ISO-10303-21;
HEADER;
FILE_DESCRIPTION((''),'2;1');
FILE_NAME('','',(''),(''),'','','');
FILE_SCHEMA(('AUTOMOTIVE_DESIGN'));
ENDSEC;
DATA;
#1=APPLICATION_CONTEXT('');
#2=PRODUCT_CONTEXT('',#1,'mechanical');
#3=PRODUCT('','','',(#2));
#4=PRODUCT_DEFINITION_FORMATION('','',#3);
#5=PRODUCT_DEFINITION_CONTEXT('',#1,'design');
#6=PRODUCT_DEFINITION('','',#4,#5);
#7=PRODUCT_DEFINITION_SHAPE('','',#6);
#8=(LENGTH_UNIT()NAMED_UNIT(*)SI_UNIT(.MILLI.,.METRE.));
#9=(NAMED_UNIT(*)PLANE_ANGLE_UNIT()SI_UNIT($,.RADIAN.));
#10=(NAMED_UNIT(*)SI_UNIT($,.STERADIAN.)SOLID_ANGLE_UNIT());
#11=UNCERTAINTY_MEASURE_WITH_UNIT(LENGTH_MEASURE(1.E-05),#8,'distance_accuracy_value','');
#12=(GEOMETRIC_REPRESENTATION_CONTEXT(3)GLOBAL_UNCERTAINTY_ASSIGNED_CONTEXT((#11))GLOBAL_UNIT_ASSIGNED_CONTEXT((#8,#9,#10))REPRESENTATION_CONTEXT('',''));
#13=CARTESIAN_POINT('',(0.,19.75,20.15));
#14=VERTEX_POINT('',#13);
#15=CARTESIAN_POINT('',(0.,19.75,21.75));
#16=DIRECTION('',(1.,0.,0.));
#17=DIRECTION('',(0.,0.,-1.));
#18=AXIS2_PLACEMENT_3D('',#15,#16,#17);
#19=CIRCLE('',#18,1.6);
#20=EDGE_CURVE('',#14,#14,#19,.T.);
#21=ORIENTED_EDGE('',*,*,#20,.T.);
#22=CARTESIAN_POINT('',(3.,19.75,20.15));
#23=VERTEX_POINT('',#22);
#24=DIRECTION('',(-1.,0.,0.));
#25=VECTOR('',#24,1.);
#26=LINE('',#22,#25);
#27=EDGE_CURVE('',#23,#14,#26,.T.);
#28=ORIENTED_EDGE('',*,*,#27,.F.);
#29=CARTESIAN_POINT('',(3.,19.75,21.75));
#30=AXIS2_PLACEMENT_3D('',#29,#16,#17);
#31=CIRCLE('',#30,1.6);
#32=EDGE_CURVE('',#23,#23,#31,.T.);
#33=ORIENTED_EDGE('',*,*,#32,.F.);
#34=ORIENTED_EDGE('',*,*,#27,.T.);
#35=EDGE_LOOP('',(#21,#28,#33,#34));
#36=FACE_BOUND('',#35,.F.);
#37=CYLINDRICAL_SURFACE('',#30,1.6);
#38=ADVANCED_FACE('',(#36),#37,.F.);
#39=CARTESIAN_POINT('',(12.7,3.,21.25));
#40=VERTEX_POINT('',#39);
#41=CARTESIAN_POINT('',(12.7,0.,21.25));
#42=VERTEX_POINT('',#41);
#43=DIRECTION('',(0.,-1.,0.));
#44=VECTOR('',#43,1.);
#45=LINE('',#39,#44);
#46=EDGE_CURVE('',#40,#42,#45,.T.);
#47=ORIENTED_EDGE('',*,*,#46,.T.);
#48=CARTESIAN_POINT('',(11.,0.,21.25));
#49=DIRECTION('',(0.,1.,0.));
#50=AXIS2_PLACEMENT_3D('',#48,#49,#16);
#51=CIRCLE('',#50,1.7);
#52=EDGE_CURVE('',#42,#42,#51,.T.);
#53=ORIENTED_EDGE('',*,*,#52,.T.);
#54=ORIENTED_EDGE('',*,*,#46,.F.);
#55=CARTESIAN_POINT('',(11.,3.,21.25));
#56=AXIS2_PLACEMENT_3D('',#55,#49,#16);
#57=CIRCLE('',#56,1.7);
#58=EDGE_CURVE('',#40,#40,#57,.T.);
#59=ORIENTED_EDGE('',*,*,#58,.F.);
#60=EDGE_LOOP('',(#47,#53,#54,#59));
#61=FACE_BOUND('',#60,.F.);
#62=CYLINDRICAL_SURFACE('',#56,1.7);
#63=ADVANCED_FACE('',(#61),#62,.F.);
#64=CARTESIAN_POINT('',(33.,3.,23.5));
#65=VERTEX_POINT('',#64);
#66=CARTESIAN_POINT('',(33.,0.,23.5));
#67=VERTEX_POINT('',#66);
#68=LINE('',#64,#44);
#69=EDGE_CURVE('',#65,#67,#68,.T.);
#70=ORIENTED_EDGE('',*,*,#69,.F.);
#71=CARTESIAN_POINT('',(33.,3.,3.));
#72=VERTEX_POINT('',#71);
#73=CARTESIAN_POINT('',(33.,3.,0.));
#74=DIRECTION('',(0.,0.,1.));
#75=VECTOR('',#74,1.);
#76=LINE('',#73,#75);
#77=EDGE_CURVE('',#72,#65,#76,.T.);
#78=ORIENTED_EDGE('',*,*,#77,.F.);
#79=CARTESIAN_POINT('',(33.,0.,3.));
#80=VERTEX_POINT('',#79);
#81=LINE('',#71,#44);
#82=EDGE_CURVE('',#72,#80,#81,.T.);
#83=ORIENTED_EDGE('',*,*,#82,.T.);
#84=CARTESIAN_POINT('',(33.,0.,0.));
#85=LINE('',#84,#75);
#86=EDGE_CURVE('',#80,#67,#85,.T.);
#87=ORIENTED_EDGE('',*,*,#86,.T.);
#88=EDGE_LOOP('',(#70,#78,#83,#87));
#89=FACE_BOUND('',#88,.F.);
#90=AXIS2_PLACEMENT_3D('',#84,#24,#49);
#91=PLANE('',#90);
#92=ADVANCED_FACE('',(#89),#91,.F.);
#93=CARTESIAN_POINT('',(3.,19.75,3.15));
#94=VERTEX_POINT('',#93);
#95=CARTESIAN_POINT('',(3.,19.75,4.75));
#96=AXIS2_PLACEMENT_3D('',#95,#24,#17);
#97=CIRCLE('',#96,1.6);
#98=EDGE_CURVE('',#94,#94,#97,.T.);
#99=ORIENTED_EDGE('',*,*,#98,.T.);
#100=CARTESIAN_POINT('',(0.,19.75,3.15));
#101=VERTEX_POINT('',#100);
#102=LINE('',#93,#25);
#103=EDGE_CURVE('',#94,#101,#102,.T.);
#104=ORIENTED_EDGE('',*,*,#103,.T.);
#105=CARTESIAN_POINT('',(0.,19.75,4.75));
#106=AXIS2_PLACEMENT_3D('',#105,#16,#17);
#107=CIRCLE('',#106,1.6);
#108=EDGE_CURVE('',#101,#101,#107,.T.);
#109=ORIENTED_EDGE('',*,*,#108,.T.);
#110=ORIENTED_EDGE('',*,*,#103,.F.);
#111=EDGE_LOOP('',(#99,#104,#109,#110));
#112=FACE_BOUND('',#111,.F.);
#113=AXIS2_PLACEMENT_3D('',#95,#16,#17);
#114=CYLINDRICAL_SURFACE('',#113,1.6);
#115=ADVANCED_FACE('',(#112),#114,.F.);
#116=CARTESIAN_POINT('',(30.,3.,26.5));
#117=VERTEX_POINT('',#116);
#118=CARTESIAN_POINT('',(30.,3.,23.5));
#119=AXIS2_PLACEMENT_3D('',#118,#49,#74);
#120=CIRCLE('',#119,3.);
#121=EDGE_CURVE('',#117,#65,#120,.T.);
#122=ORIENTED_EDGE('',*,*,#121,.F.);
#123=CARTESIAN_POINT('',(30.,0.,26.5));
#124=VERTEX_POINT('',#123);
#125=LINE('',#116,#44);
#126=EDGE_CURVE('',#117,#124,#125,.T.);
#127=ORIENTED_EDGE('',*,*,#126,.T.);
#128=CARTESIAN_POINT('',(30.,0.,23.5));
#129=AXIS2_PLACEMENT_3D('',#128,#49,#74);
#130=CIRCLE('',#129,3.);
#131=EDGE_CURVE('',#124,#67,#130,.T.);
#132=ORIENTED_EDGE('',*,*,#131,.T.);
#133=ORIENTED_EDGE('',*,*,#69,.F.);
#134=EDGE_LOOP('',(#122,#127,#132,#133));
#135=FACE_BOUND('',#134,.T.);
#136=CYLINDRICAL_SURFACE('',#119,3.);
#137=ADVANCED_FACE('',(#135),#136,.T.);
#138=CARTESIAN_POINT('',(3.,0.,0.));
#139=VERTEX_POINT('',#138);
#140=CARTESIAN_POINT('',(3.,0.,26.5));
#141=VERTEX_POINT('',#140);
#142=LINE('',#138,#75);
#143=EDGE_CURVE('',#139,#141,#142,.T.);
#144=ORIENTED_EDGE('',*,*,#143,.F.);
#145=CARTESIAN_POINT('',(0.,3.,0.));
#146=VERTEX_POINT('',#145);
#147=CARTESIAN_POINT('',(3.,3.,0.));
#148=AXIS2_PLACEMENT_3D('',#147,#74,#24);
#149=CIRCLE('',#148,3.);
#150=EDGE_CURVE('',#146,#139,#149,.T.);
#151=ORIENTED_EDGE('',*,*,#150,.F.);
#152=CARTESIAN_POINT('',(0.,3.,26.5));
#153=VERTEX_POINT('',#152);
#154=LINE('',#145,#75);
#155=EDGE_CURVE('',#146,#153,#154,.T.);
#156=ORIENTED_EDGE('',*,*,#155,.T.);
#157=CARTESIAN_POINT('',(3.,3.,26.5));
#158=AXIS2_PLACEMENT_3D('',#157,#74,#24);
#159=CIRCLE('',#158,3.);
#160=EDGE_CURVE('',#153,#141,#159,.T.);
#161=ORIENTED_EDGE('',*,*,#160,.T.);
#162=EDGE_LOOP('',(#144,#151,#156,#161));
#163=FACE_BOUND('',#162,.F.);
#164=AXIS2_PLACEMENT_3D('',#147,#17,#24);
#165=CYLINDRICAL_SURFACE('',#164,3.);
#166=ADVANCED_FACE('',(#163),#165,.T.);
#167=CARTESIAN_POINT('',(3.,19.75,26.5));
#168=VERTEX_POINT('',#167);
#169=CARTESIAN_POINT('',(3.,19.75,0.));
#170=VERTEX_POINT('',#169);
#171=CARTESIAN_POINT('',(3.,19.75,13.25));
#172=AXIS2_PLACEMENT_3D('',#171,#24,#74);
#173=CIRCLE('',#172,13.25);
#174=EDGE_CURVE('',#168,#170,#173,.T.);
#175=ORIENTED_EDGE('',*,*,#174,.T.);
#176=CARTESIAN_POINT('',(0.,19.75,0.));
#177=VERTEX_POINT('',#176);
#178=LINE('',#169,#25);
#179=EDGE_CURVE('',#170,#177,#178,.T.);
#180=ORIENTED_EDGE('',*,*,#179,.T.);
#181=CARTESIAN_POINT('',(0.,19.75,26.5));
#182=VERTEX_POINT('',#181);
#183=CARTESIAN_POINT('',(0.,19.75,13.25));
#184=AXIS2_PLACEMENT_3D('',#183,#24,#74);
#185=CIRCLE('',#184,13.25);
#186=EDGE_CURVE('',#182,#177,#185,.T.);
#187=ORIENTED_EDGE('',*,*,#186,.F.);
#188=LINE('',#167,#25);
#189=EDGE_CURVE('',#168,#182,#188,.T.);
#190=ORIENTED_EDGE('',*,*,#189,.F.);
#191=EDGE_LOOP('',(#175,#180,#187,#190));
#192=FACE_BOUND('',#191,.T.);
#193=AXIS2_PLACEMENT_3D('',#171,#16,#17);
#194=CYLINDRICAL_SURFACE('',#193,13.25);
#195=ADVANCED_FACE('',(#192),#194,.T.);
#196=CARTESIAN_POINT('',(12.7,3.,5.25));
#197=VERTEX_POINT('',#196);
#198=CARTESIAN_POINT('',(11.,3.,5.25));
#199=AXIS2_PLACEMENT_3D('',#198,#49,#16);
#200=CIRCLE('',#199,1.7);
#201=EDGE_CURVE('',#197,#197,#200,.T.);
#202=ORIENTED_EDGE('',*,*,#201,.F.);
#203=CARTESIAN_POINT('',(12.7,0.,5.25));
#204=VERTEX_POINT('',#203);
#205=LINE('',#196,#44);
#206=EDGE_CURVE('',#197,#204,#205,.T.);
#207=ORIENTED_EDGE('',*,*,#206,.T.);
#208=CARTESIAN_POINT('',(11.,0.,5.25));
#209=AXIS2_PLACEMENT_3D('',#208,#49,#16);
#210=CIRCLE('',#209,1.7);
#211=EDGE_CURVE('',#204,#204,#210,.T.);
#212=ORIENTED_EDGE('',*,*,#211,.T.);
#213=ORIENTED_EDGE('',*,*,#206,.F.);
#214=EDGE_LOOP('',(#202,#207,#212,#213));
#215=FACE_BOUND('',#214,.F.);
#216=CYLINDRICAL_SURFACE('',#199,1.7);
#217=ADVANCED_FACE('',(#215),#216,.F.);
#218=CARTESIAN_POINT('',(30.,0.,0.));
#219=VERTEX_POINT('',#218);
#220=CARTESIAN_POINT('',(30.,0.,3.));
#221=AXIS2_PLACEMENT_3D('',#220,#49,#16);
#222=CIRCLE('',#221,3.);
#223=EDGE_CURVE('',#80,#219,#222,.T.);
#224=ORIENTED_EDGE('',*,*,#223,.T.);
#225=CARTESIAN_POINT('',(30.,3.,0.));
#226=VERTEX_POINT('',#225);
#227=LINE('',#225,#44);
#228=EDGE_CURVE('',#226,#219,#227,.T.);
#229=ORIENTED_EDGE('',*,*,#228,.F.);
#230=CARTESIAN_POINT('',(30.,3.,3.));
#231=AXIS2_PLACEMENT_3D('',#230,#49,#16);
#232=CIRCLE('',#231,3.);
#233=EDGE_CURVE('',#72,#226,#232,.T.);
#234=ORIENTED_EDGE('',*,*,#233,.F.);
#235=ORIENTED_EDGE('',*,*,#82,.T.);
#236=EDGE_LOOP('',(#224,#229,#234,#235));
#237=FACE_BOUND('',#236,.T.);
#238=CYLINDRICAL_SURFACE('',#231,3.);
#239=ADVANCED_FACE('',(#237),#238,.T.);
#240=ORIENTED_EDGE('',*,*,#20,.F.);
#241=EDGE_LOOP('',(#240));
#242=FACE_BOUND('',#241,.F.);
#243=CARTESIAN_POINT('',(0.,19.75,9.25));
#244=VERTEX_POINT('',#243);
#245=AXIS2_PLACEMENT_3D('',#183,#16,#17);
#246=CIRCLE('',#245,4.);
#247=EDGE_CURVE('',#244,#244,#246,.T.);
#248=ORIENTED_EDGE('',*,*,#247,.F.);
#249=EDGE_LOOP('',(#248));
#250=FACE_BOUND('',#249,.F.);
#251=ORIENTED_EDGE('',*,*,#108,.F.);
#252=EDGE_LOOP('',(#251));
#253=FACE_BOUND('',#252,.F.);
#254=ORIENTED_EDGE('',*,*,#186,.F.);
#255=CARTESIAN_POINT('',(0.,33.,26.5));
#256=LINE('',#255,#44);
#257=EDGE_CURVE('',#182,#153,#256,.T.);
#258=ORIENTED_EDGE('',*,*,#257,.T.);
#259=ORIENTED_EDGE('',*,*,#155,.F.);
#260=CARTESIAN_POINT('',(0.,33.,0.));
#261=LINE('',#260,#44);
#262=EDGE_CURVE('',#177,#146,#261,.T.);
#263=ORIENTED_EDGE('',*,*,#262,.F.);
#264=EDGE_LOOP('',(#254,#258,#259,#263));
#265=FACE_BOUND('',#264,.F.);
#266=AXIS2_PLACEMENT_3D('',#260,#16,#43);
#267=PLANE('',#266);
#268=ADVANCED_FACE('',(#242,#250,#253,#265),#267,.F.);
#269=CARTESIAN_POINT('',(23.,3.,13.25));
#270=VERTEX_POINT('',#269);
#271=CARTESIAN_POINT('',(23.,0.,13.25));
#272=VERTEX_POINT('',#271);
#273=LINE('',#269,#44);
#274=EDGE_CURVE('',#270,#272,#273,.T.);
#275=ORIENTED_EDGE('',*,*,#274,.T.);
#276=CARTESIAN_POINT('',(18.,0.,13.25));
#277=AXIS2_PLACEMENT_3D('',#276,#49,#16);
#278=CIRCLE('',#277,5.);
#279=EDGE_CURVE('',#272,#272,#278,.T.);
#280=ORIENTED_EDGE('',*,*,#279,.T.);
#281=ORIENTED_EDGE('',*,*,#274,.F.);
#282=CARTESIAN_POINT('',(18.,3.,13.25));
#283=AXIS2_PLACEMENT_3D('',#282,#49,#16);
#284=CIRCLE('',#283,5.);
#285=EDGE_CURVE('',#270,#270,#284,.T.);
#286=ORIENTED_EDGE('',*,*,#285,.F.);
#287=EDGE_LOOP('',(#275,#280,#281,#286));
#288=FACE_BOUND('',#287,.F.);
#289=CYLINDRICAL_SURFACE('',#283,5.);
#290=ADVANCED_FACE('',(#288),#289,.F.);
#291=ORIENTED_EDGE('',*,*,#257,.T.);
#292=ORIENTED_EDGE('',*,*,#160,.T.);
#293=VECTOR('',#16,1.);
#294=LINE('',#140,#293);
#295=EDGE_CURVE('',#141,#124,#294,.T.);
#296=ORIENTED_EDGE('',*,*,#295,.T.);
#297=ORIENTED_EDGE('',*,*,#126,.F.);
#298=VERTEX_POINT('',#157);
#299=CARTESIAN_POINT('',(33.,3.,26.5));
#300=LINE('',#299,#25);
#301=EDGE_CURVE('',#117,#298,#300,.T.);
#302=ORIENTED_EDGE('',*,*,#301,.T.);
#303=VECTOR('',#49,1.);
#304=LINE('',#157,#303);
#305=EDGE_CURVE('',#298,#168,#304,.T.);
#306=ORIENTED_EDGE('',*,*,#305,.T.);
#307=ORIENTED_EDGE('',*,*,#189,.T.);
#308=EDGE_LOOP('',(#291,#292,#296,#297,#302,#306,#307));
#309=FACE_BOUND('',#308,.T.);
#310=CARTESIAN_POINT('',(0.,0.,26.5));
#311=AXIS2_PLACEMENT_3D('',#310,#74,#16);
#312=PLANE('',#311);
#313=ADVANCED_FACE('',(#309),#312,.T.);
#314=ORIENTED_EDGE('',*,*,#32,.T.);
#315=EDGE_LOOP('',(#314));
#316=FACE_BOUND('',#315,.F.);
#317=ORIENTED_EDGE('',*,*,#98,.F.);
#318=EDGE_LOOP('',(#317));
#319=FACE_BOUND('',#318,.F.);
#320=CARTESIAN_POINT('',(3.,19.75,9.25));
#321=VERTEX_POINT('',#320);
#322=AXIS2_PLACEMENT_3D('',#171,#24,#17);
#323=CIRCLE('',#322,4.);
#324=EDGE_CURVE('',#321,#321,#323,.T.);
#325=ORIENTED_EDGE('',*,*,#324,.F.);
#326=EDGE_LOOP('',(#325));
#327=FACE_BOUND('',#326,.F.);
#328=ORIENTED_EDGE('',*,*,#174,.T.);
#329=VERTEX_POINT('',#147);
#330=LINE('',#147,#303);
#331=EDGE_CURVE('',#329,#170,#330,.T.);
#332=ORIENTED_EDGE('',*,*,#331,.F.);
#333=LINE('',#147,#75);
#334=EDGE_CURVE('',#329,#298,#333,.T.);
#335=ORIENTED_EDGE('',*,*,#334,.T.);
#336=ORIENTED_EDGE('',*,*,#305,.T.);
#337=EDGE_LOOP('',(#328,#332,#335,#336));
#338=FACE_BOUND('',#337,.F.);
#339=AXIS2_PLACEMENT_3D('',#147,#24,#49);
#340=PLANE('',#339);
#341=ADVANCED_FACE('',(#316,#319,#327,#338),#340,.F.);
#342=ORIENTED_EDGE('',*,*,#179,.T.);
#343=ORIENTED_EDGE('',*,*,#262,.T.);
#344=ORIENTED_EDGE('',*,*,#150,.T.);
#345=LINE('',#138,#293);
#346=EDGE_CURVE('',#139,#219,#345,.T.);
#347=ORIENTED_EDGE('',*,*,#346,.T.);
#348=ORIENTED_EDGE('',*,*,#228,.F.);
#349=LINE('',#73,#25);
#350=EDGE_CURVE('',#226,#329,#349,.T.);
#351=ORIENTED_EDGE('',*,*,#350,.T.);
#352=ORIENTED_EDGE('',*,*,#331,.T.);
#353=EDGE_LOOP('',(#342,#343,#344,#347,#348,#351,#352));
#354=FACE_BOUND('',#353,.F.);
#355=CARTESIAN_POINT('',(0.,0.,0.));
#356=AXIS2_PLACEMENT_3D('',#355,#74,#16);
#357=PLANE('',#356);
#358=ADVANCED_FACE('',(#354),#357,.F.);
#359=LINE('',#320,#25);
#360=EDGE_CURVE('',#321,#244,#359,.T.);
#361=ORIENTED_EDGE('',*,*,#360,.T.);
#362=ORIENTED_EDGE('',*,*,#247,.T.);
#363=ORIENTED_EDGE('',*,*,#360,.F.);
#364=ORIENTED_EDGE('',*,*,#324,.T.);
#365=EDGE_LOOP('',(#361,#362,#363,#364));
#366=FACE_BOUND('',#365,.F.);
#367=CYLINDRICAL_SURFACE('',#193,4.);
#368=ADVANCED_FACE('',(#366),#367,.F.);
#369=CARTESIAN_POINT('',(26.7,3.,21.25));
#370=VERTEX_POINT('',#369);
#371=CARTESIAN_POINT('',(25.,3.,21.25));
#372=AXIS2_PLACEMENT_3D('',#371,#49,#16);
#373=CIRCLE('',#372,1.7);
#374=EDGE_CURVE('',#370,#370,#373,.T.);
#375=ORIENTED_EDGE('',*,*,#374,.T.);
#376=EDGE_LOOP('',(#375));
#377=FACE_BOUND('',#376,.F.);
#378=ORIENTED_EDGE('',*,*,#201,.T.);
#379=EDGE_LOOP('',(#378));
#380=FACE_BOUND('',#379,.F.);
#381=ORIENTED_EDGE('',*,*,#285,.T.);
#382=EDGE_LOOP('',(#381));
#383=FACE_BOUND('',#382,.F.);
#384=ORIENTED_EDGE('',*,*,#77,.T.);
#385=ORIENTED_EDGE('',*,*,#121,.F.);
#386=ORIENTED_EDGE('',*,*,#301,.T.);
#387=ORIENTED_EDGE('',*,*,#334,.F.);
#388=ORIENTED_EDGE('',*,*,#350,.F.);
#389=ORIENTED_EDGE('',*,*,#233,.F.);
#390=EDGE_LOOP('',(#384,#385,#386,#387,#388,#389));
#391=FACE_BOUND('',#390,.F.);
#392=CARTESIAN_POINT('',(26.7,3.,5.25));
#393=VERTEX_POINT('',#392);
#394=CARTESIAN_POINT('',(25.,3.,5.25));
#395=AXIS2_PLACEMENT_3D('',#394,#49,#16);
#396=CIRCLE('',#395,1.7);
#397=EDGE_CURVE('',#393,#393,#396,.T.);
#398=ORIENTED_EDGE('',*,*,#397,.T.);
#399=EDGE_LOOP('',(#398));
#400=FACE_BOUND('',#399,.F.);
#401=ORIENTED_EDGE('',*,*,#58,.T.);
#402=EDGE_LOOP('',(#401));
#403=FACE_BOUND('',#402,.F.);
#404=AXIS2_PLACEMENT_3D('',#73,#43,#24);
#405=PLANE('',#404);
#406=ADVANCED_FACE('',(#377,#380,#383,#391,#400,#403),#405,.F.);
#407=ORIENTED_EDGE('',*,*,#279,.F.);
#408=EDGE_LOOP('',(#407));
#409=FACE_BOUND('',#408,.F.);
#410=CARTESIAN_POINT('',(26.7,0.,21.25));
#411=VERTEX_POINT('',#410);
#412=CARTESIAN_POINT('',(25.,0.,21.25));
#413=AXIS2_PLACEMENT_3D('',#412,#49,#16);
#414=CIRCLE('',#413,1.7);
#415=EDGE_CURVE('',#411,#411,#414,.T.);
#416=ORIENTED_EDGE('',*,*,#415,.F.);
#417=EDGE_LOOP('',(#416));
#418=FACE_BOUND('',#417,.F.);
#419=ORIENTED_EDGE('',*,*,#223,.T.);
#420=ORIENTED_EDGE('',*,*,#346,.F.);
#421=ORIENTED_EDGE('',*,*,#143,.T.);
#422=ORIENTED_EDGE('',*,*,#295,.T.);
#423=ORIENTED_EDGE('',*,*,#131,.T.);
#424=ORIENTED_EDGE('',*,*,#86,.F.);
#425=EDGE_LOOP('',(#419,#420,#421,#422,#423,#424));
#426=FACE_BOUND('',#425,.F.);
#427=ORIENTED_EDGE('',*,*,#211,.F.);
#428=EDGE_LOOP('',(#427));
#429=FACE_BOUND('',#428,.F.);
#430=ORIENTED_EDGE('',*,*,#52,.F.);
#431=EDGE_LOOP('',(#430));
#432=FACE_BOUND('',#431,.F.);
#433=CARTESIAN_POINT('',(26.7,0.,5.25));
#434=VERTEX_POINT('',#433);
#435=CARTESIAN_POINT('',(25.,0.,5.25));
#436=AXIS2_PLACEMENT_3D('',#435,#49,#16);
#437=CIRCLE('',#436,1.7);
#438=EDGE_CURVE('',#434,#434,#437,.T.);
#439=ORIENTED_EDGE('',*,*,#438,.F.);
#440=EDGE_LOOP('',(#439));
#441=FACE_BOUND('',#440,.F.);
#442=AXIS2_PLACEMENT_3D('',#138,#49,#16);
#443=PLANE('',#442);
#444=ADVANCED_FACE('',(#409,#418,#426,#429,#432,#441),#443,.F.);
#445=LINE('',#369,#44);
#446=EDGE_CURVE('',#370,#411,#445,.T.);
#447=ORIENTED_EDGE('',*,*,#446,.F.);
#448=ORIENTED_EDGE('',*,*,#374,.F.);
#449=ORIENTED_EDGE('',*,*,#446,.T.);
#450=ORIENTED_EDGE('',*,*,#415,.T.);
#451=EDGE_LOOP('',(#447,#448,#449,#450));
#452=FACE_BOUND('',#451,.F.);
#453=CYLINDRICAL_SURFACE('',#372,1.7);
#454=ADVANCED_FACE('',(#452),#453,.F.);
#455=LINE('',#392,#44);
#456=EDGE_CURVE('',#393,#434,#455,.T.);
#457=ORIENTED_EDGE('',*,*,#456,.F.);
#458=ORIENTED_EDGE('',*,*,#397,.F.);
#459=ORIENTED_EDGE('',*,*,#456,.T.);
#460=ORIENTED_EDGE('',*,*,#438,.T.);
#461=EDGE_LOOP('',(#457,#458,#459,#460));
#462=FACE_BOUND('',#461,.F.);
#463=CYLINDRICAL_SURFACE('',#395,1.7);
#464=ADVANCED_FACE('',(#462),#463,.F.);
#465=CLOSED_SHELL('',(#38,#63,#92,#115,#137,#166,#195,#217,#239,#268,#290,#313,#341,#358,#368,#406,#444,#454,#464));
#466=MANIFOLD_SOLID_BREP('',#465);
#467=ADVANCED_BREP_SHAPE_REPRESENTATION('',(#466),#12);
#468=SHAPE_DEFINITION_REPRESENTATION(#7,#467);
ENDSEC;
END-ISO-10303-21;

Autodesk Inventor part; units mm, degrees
ref_plane "YZ Plane" through (0, 0, 0) normal (1, 0, 0) x (0, 1, 0)
ref_plane "XZ Plane" through (0, 0, 0) normal (0, 1, 0) x (-1, 0, 0)
ref_plane "XY Plane" through (0, 0, 0) normal (0, 0, 1) x (1, 0, 0)
sketch "Sketch1" plane through (0, 0, 0) normal (0, 0, 1) x (1, 0, 0)
  line L0 (3, 0) -> (33, 0)
  line L1 (33, 0) -> (33, 3)
  line L2 (33, 3) -> (3, 3)
  line L3 (3, 3) -> (3, 33)
  line L4 (3, 33) -> (0, 33)
  line L5 (0, 33) -> (0, 3)
  arc A0 (0, 3) -> (3, 0) centre (3, 3) ccw
  point P0 (0, 0)
extrude "Extrusion1" add sketch "Sketch1" along normal blind 26.5
sketch "Sketch2" plane through (3, 3, 0) normal (1, 0, 0) x (0, 0, -1)
  line L0 (0, 30) -> (-26.5, 30) projected
  circle A0 centre (-13.25, 16.75) radius 13.25
  line L1 (0, 0) -> (0, 30) projected
  circle A1 centre (-13.25, 16.75) radius 4
  line L2 (-21.75, 16.75) -> (-4.75, 16.75)
  circle A2 centre (-4.75, 16.75) radius 1.6
  circle A3 centre (-21.75, 16.75) radius 1.6
  line L3 (-26.5, 0) -> (-26.5, 30) projected
  point P0 (0, -3)
  point P1 (-26.5, 16.75)
  point P2 (-13.25, 30)
  point P3 (0, 16.75)
  dimension "d9" = 3.2
  dimension "d10" = 3.2
extrude "Extrusion2" cut sketch "Sketch2" against normal up to surface (3 mm away) contours L1 A0 L0 | A0 L3 L0 | L2 A1 | A3 | A1 L2 | A2
sketch "Sketch3" plane through (3, 3, 0) normal (0, 1, 0) x (1, 0, 0)
  line L0 (30, 0) -> (30, -26.5) projected
  line L1 (30, 0) -> (0, 0) projected
  line L2 (30, -26.5) -> (0, -26.5) projected
  line L3 (30, 0) -> (27, 0)
  arc A0 (30, -3) -> (27, 0) centre (27, -3) ccw
  arc A1 (27, -26.5) -> (30, -23.5) centre (27, -23.5) ccw
  circle A2 centre (15, -13.25) radius 5
  circle A3 centre (22, -5.25) radius 1.7
  circle A4 centre (8, -5.25) radius 1.7
  circle A5 centre (22, -21.25) radius 1.7
  circle A6 centre (8, -21.25) radius 1.7
  point P0 (-3, 0)
  point P1 (30, -23.5)
extrude "Extrusion3" cut sketch "Sketch3" against normal up to surface (3 mm away)
properties part number "do_ga"
